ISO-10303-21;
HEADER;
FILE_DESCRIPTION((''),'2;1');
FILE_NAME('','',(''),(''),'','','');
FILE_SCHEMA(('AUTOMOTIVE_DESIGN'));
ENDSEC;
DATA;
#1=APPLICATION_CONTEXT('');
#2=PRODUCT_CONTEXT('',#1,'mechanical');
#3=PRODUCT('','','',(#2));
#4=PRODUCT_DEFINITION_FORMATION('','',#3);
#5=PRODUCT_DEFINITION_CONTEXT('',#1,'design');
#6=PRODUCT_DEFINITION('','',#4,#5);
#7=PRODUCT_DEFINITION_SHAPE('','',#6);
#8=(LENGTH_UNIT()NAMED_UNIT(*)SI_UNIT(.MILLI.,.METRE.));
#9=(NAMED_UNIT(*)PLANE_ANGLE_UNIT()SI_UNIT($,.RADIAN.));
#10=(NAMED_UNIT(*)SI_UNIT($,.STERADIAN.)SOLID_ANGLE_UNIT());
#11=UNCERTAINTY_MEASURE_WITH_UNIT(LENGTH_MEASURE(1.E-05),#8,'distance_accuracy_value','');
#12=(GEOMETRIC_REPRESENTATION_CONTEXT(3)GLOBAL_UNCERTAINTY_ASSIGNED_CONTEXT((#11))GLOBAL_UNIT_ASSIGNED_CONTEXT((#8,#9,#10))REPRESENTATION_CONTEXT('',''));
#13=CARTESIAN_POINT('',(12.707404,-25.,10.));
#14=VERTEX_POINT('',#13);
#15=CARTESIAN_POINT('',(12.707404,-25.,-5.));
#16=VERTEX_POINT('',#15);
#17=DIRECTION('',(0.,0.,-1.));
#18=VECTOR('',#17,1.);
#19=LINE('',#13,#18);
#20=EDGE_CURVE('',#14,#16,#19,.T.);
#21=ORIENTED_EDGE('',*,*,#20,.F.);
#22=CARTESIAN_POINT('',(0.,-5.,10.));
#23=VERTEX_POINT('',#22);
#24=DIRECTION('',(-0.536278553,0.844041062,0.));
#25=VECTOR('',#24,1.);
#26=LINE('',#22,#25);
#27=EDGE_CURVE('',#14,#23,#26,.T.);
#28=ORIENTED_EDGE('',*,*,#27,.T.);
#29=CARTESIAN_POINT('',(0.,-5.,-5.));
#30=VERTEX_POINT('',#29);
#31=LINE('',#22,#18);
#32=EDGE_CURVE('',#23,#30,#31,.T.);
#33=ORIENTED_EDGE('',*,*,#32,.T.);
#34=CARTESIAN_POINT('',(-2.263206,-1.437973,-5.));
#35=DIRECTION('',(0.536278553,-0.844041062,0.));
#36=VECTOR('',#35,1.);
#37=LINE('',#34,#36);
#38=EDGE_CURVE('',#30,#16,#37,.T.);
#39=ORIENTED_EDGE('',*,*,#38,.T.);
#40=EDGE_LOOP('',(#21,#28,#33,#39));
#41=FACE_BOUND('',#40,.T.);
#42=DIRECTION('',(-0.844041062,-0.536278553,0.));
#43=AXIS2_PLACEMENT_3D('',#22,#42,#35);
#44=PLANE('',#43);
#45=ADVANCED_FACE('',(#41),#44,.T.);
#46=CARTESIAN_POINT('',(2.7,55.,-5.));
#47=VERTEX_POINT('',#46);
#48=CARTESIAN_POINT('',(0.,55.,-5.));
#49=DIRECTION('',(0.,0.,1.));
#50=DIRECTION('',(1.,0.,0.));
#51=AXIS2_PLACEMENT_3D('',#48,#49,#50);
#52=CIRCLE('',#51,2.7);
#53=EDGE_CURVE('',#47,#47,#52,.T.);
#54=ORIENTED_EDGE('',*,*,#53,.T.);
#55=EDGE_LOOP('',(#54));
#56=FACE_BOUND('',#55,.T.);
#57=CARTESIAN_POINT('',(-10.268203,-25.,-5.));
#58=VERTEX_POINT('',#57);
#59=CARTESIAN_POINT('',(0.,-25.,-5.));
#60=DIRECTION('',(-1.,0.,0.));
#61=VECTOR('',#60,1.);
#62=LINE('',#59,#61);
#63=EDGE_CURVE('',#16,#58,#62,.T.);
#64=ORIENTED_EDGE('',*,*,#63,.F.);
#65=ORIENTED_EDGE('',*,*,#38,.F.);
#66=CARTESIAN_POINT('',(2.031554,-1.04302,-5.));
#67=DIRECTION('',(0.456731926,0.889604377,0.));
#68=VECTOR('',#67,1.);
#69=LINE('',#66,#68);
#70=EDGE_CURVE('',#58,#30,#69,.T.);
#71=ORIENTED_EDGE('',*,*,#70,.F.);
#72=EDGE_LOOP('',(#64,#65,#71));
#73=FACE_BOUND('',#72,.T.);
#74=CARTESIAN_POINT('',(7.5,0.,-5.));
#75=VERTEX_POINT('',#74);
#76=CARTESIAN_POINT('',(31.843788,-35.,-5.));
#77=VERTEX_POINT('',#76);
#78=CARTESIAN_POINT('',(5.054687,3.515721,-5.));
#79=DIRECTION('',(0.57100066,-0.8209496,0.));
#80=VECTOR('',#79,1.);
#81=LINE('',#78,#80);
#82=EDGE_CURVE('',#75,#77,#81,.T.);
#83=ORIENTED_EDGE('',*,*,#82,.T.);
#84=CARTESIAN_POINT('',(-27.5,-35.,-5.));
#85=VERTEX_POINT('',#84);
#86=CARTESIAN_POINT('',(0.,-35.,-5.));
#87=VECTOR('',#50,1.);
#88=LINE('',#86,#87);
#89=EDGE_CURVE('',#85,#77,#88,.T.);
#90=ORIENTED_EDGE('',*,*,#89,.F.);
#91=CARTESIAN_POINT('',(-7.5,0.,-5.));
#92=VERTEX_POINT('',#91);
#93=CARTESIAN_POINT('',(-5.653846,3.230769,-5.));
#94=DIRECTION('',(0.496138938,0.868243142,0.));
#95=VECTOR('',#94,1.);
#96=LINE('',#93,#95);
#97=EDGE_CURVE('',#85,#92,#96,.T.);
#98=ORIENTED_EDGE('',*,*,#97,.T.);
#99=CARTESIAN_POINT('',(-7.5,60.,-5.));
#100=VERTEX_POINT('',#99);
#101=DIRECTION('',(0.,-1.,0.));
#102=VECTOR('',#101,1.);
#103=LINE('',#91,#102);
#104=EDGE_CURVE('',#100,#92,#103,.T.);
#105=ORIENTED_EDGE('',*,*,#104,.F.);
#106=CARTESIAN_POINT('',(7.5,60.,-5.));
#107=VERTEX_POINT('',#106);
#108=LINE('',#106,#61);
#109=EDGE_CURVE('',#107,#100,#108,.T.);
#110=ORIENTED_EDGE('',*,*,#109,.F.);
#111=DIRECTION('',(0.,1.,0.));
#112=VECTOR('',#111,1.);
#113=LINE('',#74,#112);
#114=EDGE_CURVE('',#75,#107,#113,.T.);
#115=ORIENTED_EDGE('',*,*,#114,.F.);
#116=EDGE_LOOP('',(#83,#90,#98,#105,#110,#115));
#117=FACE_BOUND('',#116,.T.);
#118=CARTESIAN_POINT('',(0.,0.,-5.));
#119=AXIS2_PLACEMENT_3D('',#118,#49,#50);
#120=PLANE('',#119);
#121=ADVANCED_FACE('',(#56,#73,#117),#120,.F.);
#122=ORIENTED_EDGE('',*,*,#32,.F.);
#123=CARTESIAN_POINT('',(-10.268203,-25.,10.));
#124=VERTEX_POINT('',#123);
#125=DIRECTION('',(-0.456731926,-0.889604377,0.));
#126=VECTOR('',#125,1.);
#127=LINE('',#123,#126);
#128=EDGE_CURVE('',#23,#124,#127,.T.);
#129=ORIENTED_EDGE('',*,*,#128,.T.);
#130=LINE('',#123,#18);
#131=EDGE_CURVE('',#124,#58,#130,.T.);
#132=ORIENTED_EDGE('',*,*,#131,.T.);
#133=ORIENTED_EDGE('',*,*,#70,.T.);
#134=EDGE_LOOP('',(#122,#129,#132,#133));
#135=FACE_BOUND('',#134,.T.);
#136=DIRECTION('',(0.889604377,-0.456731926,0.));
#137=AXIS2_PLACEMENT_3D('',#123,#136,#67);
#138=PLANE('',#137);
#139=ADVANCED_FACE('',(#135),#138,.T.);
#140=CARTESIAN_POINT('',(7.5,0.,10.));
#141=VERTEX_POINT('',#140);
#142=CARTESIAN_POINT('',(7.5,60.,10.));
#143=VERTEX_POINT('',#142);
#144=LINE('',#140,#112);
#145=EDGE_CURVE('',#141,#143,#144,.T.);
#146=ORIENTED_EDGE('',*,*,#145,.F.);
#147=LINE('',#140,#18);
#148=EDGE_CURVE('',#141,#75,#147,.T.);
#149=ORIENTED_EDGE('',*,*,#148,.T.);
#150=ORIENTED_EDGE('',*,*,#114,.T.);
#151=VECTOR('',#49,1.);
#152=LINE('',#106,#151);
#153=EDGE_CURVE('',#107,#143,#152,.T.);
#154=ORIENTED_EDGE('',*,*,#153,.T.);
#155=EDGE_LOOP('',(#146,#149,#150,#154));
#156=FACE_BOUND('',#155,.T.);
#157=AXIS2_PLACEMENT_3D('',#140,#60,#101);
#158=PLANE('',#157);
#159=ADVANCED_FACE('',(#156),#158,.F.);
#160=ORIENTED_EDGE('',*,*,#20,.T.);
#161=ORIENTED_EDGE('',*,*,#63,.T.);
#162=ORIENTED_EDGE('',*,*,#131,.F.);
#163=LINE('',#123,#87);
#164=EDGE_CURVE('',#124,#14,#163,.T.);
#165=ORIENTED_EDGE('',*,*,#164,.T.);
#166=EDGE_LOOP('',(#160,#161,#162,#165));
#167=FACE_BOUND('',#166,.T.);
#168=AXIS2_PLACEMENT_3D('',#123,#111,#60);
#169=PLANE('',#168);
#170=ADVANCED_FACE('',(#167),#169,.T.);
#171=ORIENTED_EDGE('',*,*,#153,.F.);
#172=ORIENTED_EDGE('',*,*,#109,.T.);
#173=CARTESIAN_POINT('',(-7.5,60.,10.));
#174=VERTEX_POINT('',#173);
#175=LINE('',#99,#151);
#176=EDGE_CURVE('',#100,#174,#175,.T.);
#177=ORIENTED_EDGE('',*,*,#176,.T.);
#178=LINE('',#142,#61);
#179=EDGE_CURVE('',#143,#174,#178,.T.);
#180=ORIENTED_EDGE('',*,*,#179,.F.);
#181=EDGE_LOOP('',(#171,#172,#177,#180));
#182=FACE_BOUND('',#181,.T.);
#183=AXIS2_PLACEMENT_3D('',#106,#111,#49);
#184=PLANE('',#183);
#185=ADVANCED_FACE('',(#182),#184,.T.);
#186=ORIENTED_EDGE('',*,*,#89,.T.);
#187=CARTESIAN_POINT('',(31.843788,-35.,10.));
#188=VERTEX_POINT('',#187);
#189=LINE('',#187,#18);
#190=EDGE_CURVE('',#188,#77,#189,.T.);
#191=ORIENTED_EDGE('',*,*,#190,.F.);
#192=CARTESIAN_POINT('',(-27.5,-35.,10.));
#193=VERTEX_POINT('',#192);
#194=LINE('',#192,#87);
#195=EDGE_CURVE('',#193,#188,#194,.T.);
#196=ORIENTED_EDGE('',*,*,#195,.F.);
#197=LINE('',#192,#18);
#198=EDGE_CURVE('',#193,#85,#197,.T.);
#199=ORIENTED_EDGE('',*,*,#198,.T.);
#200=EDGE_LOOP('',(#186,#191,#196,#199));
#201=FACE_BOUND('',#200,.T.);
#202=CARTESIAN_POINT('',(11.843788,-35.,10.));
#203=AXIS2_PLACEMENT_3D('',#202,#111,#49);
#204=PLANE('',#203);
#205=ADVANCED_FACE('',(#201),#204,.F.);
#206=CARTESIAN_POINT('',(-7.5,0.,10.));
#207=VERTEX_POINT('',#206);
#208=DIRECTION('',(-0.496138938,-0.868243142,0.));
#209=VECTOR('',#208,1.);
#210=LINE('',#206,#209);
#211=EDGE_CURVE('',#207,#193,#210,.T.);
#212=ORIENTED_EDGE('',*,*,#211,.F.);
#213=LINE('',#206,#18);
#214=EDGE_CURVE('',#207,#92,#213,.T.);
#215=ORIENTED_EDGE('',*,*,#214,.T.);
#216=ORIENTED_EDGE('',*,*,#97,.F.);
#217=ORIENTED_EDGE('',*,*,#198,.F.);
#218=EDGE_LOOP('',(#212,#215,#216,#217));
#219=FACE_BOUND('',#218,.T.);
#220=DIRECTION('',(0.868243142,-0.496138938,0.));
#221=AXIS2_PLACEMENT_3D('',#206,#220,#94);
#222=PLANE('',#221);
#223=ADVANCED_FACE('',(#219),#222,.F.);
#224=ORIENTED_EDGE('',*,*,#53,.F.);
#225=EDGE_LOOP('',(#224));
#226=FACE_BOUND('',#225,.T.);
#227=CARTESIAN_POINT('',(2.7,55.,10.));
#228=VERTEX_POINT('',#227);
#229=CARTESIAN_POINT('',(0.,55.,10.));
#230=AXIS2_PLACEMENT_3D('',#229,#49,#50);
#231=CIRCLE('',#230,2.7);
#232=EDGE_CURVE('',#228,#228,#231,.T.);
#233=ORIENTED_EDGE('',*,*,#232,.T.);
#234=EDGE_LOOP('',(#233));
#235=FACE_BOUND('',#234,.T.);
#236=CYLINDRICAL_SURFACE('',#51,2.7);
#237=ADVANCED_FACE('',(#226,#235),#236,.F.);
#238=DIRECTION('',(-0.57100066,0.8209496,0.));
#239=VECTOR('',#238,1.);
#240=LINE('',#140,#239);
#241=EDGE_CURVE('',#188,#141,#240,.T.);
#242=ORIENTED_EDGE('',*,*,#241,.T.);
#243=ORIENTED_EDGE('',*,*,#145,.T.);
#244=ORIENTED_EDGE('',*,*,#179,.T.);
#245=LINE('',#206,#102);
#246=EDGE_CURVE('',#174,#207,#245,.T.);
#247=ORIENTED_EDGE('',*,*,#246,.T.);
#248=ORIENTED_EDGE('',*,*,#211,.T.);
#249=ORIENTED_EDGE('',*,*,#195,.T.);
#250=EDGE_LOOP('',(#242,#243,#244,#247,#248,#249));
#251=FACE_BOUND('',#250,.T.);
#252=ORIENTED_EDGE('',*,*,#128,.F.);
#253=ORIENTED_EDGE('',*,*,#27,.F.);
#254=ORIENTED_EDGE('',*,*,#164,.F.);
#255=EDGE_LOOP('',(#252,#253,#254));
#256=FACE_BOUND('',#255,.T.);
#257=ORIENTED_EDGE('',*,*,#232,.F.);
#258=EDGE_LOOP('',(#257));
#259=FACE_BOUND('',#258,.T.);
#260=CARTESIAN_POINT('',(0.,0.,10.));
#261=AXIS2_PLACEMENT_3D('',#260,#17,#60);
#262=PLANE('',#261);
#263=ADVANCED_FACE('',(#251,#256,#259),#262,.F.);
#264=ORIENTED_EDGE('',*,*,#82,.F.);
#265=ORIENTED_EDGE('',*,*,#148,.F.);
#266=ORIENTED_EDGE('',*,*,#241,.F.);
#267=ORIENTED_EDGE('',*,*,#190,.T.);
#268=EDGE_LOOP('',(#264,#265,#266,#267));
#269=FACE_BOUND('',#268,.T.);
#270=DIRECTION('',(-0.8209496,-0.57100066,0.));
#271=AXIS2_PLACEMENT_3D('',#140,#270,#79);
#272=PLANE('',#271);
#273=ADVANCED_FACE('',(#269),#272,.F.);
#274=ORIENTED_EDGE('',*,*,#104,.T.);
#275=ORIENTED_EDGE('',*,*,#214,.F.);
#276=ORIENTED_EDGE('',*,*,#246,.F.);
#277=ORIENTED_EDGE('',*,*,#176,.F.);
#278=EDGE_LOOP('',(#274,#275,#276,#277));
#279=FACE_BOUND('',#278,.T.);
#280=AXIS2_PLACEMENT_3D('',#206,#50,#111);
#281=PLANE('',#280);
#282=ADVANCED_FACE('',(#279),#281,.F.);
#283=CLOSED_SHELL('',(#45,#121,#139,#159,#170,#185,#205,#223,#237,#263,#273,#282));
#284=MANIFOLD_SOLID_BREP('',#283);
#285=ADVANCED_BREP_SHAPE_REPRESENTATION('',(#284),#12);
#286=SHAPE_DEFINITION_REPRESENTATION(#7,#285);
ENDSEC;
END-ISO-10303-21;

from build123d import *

# Parameters (mm, degrees)
SALIENTE_EXTRUIR1_DEPTH = 10
CROQUIS2_R              = 2.5
CORTAR_EXTRUIR1_DEPTH   = 10
CROQUIS4_W              = 15
CROQUIS4_H              = 60
SALIENTE_EXTRUIR2_DEPTH = 15
SALIENTE_EXTRUIR3_DEPTH = 15
CROQUIS6_R              = 2.7
CORTAR_EXTRUIR2_DEPTH   = 15


with BuildPart() as part:
    # Croquis1 → Saliente-Extruir1 (new body)
    with BuildSketch(Plane.XY):
        Polygon((-7.5, 0), (-27.5, -35), (-7.5, -35), (11.843788115, -35), (31.843788115, -35), (7.5, 0), (7.5, 34.865095039), (-7.5, 34.865095039), align=None)
        Polygon((-10.268203217, -25), (0, -5), (12.707404341, -25), align=None, mode=Mode.SUBTRACT)
    extrude(amount=SALIENTE_EXTRUIR1_DEPTH)

    # Croquis2 → Cortar-Extruir1 (cut)
    with BuildSketch(Plane.XY.offset(10)):
        with Locations((0, 28.865095039)):
            Circle(CROQUIS2_R)
    extrude(amount=-CORTAR_EXTRUIR1_DEPTH, mode=Mode.SUBTRACT)

    # Croquis4 → Saliente-Extruir2 (add)
    with BuildSketch(Plane.XY.offset(10)):
        with Locations((0, 30)):
            Rectangle(CROQUIS4_W, CROQUIS4_H)
    extrude(amount=-SALIENTE_EXTRUIR2_DEPTH)

    # Croquis5 → Saliente-Extruir3 (add)
    with BuildSketch(Plane.XY.offset(10)):
        Polygon((-7.5, 0), (-27.5, -35), (31.843788115, -35), (7.5, 0), (-0.734678119, 11.839313291), align=None)
        Polygon((12.707404341, -25), (-10.268203217, -25), (0, -5), align=None, mode=Mode.SUBTRACT)
    extrude(amount=-SALIENTE_EXTRUIR3_DEPTH)

    # Croquis6 → Cortar-Extruir2 (cut)
    with BuildSketch(Plane.XY.offset(10)):
        with Locations((0, 55)):
            Circle(CROQUIS6_R)
    extrude(amount=-CORTAR_EXTRUIR2_DEPTH, mode=Mode.SUBTRACT)


solid = part.part
